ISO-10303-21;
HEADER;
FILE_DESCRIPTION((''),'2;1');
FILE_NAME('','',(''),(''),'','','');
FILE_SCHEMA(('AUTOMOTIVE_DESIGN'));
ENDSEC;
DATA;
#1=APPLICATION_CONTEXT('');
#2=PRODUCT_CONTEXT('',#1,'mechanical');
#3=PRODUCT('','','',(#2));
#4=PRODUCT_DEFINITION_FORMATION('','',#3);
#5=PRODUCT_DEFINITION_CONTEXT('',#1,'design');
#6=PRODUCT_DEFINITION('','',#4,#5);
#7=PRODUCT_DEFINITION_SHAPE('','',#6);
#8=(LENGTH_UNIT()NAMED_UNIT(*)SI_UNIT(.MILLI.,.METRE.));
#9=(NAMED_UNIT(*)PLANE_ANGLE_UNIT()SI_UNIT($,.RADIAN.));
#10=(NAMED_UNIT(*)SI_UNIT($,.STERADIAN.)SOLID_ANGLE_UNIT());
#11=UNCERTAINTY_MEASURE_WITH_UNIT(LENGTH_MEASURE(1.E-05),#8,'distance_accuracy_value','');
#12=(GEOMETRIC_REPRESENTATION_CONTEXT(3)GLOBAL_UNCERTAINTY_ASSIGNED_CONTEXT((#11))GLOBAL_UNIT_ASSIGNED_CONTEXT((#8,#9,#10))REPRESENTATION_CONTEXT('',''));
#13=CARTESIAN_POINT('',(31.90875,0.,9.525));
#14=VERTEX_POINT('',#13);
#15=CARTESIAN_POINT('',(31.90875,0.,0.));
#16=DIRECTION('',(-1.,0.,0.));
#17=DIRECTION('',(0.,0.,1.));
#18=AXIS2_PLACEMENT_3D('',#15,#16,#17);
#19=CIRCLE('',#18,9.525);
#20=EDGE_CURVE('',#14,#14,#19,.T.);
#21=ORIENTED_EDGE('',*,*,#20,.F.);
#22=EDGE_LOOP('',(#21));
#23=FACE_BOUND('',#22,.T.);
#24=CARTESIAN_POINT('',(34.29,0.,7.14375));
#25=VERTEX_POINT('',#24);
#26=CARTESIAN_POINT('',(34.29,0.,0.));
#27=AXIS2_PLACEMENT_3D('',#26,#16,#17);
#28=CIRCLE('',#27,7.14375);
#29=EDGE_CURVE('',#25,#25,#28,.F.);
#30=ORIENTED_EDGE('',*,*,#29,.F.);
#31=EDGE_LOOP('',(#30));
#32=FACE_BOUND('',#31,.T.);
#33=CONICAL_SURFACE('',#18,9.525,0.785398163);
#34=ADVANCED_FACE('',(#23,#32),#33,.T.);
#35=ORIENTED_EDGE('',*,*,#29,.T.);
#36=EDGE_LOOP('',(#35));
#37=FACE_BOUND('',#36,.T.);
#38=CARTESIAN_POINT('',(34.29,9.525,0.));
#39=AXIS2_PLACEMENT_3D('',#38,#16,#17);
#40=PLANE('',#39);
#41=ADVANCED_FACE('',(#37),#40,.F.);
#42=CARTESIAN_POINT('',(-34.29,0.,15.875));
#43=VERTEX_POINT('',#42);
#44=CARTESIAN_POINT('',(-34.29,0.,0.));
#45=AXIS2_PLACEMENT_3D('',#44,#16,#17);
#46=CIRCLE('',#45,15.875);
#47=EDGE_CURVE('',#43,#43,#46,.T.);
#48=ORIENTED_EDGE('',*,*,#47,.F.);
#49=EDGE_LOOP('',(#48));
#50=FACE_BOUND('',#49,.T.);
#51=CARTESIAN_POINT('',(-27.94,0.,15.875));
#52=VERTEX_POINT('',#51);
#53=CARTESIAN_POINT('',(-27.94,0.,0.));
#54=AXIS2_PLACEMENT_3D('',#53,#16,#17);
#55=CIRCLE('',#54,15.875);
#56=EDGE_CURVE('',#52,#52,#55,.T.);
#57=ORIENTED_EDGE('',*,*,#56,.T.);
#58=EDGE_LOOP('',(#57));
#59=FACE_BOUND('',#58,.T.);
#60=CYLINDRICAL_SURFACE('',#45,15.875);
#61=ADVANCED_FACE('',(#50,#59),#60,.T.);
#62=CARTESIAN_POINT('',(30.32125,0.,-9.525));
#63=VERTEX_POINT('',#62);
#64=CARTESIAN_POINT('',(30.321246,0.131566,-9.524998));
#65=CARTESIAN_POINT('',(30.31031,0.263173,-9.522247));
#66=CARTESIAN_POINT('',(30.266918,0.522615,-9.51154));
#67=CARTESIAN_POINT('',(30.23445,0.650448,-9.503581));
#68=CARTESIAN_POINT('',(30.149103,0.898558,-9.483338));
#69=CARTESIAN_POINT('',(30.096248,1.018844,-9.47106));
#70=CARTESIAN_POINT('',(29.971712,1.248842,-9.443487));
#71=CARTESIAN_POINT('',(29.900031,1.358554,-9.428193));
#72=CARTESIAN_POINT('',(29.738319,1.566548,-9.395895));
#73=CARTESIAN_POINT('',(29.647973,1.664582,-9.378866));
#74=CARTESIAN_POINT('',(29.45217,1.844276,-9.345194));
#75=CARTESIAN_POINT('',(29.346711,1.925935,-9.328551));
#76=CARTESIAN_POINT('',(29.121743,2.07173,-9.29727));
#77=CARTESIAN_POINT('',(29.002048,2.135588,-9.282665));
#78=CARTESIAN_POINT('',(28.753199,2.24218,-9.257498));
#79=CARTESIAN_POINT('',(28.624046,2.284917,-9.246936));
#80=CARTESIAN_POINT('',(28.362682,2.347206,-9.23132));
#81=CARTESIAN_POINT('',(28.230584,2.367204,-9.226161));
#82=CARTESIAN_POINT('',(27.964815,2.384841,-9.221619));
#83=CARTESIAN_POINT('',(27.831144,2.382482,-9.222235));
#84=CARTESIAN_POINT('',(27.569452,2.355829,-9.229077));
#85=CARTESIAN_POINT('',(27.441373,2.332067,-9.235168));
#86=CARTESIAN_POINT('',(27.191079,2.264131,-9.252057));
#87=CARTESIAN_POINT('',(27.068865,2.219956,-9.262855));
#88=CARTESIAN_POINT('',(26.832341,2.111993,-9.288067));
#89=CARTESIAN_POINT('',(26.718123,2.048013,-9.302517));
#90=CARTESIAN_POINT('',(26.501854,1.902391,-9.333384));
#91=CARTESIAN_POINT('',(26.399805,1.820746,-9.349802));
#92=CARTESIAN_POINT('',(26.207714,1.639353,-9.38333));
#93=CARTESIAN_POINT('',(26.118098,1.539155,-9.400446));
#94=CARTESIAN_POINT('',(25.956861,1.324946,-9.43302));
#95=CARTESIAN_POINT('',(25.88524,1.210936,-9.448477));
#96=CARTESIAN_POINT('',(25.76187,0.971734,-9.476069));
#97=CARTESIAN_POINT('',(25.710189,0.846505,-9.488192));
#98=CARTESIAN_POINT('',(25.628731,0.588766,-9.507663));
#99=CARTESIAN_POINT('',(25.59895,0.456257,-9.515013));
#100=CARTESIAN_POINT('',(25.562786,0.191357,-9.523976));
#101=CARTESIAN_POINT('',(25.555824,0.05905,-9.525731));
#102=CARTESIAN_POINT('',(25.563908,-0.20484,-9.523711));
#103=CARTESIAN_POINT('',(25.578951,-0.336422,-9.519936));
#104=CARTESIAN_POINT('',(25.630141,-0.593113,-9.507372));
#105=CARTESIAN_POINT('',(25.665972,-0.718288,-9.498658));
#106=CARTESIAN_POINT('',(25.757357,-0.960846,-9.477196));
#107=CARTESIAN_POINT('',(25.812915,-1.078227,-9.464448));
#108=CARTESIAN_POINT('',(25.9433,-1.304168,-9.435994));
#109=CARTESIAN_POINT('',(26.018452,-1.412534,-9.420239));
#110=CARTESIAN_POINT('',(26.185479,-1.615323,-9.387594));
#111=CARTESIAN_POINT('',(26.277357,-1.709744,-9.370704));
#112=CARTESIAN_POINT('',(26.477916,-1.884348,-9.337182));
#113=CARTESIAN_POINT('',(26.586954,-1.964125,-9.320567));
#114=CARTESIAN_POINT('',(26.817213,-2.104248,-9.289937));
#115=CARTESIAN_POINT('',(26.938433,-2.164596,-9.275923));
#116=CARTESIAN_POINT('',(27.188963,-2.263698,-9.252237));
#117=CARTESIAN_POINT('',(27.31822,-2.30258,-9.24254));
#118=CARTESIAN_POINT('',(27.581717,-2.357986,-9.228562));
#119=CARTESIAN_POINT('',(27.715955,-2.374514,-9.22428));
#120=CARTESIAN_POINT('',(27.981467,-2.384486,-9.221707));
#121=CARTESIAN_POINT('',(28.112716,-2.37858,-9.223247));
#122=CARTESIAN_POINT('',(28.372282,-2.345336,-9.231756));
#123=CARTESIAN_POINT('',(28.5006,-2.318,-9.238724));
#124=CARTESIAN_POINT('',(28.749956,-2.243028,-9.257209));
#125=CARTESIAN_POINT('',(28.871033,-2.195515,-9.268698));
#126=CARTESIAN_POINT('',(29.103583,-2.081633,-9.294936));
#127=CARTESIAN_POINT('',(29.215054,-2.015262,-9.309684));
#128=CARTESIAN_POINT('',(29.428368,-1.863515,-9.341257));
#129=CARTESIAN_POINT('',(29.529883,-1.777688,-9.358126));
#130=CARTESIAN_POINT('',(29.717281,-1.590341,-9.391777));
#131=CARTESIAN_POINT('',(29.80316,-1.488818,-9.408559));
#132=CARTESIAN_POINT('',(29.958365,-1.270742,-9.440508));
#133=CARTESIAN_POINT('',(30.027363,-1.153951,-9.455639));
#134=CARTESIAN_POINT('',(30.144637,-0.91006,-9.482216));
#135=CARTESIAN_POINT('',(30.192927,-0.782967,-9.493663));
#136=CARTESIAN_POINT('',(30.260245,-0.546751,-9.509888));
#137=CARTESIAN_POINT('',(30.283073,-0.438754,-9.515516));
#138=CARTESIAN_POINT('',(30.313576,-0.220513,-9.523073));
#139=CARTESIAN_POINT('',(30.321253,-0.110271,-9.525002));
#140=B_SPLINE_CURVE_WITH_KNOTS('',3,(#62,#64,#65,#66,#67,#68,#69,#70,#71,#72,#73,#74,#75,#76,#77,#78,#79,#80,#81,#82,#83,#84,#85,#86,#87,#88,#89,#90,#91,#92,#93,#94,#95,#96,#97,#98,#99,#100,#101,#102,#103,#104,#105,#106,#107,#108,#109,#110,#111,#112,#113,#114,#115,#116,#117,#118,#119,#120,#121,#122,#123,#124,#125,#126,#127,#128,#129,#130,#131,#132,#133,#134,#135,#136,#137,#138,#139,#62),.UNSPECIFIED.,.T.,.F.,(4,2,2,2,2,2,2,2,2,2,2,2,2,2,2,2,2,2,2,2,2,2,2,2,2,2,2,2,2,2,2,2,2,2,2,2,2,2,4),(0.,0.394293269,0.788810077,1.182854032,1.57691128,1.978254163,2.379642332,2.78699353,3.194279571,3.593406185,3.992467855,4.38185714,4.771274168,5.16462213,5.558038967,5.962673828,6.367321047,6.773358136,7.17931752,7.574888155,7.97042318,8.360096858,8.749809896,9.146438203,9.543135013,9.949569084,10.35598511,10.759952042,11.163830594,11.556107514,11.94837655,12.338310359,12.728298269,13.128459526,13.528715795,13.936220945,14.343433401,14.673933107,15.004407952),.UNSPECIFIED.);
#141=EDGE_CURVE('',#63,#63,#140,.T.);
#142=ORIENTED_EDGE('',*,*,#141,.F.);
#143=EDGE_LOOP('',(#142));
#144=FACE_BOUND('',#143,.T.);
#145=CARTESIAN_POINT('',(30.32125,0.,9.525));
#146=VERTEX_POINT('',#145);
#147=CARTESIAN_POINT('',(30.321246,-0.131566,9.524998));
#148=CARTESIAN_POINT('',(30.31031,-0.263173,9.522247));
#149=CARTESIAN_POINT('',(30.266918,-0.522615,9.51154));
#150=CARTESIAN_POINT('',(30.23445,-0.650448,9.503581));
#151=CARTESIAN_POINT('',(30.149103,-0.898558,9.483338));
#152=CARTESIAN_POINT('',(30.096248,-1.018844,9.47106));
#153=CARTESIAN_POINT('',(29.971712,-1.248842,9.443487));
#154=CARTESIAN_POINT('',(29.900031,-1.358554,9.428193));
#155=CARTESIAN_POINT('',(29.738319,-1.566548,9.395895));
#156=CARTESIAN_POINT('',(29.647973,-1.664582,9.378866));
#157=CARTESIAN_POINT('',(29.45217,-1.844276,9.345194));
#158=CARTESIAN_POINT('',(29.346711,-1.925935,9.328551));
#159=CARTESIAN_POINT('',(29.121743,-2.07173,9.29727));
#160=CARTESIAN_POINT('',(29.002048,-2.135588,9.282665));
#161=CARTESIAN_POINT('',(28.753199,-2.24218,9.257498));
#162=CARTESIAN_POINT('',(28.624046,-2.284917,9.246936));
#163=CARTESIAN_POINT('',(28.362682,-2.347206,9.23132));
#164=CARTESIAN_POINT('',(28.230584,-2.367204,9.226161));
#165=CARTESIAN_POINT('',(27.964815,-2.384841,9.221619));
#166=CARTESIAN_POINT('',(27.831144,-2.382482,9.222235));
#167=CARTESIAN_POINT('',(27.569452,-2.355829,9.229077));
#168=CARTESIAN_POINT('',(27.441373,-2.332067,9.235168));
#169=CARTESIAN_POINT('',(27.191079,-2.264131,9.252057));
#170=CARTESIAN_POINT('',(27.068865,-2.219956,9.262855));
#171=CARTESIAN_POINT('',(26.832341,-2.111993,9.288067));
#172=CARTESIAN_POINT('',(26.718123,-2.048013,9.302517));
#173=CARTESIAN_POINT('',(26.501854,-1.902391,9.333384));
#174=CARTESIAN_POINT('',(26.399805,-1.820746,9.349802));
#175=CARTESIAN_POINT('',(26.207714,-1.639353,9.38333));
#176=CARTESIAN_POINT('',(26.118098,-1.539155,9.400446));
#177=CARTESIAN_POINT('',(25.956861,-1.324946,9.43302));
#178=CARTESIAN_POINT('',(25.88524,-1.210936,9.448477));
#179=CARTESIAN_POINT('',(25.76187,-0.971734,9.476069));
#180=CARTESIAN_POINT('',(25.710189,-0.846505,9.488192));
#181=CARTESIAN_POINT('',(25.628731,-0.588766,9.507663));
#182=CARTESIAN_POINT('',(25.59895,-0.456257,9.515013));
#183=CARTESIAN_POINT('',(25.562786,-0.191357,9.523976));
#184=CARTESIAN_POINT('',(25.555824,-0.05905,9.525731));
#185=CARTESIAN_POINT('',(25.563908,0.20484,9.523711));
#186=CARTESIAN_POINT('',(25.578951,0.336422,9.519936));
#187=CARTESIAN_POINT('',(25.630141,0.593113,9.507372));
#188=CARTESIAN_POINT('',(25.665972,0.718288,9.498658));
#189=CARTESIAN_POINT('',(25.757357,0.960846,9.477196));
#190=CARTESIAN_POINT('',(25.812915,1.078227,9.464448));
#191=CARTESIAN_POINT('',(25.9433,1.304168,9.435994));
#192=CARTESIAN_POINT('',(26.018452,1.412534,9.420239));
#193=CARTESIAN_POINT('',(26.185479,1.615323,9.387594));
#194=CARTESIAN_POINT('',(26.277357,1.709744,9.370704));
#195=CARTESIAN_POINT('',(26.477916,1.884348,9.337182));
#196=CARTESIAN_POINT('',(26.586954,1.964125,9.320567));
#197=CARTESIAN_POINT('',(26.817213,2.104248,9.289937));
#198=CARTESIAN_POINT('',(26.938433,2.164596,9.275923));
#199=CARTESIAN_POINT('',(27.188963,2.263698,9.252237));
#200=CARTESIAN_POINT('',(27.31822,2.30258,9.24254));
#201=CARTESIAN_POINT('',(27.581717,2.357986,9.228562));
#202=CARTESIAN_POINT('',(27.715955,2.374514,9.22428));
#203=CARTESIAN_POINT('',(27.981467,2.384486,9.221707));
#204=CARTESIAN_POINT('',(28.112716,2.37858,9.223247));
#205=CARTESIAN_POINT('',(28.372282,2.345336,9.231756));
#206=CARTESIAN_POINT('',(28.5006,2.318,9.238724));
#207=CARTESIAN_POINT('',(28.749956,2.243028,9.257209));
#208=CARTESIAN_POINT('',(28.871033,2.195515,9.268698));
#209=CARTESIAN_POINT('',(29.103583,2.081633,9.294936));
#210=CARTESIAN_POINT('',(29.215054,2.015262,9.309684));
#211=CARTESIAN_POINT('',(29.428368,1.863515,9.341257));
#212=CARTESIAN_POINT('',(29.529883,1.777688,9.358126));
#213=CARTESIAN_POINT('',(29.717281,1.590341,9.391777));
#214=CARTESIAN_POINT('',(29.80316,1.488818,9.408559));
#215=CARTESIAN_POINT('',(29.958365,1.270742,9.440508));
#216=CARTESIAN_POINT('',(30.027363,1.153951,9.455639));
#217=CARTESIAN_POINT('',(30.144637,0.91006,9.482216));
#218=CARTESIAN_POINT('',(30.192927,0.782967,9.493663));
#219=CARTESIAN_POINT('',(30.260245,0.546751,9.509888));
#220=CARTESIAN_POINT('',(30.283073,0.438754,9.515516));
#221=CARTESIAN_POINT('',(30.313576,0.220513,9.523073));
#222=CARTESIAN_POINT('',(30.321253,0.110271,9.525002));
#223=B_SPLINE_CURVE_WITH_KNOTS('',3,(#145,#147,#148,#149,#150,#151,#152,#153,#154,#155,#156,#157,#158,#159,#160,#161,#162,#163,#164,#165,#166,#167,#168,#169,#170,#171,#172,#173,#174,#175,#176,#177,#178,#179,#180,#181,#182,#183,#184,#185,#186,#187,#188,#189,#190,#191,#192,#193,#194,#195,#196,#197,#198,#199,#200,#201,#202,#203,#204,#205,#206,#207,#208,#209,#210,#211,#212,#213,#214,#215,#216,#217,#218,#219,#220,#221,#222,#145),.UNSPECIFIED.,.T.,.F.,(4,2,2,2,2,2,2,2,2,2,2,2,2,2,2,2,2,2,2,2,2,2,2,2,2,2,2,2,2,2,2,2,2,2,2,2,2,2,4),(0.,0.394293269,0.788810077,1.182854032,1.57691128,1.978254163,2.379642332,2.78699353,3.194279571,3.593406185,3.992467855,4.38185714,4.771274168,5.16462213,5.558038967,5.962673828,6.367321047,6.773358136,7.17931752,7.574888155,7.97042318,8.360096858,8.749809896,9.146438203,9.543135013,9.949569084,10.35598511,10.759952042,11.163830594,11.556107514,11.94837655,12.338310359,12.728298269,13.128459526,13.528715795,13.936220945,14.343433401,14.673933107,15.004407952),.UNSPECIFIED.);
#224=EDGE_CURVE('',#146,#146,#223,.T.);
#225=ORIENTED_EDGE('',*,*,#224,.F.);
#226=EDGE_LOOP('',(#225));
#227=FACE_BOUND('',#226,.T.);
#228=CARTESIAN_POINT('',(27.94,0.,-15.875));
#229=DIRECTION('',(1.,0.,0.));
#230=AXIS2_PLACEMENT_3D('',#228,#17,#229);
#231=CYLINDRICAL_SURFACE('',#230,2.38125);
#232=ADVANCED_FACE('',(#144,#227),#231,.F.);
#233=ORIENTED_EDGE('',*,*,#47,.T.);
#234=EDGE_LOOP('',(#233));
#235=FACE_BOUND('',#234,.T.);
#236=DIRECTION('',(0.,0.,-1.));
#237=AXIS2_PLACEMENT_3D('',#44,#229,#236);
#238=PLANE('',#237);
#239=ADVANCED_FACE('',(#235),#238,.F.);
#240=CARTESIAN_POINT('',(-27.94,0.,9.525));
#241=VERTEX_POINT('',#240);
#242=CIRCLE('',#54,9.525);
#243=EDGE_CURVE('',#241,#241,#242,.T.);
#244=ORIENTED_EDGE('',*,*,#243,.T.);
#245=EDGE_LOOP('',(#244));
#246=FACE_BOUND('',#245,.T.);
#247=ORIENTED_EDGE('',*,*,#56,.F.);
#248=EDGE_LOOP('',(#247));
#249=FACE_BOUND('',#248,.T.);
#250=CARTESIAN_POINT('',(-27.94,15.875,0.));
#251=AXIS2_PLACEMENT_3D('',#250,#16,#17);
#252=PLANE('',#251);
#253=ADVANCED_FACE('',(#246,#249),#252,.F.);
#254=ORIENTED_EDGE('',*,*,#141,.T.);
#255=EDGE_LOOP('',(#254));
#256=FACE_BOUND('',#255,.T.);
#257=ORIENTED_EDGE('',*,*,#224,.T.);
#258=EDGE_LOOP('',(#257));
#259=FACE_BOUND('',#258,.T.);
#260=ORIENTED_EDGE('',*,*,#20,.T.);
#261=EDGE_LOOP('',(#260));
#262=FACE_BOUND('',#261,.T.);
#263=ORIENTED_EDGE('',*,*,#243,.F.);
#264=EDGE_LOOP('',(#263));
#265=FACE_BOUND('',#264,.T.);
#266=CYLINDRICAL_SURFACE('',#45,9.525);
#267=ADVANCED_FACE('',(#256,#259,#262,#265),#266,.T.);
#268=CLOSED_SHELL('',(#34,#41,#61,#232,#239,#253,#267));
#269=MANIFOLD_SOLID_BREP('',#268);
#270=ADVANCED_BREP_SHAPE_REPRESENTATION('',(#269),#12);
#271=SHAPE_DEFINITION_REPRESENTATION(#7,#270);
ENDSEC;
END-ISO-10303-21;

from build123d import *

# Parameters (mm, degrees)
CUT_EXTRUDE1_DEPTH      = 41.98579449
CUT_EXTRUDE1_DEPTH_BACK = 41.98579449
SKETCH2_R               = 2.38125
CHAMFER1_SIZE           = 2.38125


with BuildPart() as part:
    # Sketch1 → Pin Body (revolve)
    with BuildSketch(Plane.XY, mode=Mode.PRIVATE) as pin_body_sk:
        Polygon((-34.29, 0), (-34.29, 15.875), (-27.94, 15.875), (-27.94, 9.525), (34.29, 9.525), (34.29, 0), align=None)
    revolve(pin_body_sk.sketch.rotate(Axis((-34.29, 0, 0), (1, 0, 0)), 90), axis=Axis((-34.29, 0, 0), (1, 0, 0)))

    # Sketch2 → Cut-Extrude1 (cut, two sides: drawn at the far end of the back side and taken through both)
    with BuildSketch(Plane.XY.offset(-CUT_EXTRUDE1_DEPTH_BACK)):
        with Locations((27.94, 0)):
            Circle(SKETCH2_R)
    extrude(amount=CUT_EXTRUDE1_DEPTH + CUT_EXTRUDE1_DEPTH_BACK, mode=Mode.SUBTRACT)

    # Chamfer1
    chamfer1_edges = [part.edges().sort_by_distance(p)[0] for p in [
        (34.29, 0, -9.525),
    ]]
    chamfer(chamfer1_edges, length=CHAMFER1_SIZE)


solid = part.part
